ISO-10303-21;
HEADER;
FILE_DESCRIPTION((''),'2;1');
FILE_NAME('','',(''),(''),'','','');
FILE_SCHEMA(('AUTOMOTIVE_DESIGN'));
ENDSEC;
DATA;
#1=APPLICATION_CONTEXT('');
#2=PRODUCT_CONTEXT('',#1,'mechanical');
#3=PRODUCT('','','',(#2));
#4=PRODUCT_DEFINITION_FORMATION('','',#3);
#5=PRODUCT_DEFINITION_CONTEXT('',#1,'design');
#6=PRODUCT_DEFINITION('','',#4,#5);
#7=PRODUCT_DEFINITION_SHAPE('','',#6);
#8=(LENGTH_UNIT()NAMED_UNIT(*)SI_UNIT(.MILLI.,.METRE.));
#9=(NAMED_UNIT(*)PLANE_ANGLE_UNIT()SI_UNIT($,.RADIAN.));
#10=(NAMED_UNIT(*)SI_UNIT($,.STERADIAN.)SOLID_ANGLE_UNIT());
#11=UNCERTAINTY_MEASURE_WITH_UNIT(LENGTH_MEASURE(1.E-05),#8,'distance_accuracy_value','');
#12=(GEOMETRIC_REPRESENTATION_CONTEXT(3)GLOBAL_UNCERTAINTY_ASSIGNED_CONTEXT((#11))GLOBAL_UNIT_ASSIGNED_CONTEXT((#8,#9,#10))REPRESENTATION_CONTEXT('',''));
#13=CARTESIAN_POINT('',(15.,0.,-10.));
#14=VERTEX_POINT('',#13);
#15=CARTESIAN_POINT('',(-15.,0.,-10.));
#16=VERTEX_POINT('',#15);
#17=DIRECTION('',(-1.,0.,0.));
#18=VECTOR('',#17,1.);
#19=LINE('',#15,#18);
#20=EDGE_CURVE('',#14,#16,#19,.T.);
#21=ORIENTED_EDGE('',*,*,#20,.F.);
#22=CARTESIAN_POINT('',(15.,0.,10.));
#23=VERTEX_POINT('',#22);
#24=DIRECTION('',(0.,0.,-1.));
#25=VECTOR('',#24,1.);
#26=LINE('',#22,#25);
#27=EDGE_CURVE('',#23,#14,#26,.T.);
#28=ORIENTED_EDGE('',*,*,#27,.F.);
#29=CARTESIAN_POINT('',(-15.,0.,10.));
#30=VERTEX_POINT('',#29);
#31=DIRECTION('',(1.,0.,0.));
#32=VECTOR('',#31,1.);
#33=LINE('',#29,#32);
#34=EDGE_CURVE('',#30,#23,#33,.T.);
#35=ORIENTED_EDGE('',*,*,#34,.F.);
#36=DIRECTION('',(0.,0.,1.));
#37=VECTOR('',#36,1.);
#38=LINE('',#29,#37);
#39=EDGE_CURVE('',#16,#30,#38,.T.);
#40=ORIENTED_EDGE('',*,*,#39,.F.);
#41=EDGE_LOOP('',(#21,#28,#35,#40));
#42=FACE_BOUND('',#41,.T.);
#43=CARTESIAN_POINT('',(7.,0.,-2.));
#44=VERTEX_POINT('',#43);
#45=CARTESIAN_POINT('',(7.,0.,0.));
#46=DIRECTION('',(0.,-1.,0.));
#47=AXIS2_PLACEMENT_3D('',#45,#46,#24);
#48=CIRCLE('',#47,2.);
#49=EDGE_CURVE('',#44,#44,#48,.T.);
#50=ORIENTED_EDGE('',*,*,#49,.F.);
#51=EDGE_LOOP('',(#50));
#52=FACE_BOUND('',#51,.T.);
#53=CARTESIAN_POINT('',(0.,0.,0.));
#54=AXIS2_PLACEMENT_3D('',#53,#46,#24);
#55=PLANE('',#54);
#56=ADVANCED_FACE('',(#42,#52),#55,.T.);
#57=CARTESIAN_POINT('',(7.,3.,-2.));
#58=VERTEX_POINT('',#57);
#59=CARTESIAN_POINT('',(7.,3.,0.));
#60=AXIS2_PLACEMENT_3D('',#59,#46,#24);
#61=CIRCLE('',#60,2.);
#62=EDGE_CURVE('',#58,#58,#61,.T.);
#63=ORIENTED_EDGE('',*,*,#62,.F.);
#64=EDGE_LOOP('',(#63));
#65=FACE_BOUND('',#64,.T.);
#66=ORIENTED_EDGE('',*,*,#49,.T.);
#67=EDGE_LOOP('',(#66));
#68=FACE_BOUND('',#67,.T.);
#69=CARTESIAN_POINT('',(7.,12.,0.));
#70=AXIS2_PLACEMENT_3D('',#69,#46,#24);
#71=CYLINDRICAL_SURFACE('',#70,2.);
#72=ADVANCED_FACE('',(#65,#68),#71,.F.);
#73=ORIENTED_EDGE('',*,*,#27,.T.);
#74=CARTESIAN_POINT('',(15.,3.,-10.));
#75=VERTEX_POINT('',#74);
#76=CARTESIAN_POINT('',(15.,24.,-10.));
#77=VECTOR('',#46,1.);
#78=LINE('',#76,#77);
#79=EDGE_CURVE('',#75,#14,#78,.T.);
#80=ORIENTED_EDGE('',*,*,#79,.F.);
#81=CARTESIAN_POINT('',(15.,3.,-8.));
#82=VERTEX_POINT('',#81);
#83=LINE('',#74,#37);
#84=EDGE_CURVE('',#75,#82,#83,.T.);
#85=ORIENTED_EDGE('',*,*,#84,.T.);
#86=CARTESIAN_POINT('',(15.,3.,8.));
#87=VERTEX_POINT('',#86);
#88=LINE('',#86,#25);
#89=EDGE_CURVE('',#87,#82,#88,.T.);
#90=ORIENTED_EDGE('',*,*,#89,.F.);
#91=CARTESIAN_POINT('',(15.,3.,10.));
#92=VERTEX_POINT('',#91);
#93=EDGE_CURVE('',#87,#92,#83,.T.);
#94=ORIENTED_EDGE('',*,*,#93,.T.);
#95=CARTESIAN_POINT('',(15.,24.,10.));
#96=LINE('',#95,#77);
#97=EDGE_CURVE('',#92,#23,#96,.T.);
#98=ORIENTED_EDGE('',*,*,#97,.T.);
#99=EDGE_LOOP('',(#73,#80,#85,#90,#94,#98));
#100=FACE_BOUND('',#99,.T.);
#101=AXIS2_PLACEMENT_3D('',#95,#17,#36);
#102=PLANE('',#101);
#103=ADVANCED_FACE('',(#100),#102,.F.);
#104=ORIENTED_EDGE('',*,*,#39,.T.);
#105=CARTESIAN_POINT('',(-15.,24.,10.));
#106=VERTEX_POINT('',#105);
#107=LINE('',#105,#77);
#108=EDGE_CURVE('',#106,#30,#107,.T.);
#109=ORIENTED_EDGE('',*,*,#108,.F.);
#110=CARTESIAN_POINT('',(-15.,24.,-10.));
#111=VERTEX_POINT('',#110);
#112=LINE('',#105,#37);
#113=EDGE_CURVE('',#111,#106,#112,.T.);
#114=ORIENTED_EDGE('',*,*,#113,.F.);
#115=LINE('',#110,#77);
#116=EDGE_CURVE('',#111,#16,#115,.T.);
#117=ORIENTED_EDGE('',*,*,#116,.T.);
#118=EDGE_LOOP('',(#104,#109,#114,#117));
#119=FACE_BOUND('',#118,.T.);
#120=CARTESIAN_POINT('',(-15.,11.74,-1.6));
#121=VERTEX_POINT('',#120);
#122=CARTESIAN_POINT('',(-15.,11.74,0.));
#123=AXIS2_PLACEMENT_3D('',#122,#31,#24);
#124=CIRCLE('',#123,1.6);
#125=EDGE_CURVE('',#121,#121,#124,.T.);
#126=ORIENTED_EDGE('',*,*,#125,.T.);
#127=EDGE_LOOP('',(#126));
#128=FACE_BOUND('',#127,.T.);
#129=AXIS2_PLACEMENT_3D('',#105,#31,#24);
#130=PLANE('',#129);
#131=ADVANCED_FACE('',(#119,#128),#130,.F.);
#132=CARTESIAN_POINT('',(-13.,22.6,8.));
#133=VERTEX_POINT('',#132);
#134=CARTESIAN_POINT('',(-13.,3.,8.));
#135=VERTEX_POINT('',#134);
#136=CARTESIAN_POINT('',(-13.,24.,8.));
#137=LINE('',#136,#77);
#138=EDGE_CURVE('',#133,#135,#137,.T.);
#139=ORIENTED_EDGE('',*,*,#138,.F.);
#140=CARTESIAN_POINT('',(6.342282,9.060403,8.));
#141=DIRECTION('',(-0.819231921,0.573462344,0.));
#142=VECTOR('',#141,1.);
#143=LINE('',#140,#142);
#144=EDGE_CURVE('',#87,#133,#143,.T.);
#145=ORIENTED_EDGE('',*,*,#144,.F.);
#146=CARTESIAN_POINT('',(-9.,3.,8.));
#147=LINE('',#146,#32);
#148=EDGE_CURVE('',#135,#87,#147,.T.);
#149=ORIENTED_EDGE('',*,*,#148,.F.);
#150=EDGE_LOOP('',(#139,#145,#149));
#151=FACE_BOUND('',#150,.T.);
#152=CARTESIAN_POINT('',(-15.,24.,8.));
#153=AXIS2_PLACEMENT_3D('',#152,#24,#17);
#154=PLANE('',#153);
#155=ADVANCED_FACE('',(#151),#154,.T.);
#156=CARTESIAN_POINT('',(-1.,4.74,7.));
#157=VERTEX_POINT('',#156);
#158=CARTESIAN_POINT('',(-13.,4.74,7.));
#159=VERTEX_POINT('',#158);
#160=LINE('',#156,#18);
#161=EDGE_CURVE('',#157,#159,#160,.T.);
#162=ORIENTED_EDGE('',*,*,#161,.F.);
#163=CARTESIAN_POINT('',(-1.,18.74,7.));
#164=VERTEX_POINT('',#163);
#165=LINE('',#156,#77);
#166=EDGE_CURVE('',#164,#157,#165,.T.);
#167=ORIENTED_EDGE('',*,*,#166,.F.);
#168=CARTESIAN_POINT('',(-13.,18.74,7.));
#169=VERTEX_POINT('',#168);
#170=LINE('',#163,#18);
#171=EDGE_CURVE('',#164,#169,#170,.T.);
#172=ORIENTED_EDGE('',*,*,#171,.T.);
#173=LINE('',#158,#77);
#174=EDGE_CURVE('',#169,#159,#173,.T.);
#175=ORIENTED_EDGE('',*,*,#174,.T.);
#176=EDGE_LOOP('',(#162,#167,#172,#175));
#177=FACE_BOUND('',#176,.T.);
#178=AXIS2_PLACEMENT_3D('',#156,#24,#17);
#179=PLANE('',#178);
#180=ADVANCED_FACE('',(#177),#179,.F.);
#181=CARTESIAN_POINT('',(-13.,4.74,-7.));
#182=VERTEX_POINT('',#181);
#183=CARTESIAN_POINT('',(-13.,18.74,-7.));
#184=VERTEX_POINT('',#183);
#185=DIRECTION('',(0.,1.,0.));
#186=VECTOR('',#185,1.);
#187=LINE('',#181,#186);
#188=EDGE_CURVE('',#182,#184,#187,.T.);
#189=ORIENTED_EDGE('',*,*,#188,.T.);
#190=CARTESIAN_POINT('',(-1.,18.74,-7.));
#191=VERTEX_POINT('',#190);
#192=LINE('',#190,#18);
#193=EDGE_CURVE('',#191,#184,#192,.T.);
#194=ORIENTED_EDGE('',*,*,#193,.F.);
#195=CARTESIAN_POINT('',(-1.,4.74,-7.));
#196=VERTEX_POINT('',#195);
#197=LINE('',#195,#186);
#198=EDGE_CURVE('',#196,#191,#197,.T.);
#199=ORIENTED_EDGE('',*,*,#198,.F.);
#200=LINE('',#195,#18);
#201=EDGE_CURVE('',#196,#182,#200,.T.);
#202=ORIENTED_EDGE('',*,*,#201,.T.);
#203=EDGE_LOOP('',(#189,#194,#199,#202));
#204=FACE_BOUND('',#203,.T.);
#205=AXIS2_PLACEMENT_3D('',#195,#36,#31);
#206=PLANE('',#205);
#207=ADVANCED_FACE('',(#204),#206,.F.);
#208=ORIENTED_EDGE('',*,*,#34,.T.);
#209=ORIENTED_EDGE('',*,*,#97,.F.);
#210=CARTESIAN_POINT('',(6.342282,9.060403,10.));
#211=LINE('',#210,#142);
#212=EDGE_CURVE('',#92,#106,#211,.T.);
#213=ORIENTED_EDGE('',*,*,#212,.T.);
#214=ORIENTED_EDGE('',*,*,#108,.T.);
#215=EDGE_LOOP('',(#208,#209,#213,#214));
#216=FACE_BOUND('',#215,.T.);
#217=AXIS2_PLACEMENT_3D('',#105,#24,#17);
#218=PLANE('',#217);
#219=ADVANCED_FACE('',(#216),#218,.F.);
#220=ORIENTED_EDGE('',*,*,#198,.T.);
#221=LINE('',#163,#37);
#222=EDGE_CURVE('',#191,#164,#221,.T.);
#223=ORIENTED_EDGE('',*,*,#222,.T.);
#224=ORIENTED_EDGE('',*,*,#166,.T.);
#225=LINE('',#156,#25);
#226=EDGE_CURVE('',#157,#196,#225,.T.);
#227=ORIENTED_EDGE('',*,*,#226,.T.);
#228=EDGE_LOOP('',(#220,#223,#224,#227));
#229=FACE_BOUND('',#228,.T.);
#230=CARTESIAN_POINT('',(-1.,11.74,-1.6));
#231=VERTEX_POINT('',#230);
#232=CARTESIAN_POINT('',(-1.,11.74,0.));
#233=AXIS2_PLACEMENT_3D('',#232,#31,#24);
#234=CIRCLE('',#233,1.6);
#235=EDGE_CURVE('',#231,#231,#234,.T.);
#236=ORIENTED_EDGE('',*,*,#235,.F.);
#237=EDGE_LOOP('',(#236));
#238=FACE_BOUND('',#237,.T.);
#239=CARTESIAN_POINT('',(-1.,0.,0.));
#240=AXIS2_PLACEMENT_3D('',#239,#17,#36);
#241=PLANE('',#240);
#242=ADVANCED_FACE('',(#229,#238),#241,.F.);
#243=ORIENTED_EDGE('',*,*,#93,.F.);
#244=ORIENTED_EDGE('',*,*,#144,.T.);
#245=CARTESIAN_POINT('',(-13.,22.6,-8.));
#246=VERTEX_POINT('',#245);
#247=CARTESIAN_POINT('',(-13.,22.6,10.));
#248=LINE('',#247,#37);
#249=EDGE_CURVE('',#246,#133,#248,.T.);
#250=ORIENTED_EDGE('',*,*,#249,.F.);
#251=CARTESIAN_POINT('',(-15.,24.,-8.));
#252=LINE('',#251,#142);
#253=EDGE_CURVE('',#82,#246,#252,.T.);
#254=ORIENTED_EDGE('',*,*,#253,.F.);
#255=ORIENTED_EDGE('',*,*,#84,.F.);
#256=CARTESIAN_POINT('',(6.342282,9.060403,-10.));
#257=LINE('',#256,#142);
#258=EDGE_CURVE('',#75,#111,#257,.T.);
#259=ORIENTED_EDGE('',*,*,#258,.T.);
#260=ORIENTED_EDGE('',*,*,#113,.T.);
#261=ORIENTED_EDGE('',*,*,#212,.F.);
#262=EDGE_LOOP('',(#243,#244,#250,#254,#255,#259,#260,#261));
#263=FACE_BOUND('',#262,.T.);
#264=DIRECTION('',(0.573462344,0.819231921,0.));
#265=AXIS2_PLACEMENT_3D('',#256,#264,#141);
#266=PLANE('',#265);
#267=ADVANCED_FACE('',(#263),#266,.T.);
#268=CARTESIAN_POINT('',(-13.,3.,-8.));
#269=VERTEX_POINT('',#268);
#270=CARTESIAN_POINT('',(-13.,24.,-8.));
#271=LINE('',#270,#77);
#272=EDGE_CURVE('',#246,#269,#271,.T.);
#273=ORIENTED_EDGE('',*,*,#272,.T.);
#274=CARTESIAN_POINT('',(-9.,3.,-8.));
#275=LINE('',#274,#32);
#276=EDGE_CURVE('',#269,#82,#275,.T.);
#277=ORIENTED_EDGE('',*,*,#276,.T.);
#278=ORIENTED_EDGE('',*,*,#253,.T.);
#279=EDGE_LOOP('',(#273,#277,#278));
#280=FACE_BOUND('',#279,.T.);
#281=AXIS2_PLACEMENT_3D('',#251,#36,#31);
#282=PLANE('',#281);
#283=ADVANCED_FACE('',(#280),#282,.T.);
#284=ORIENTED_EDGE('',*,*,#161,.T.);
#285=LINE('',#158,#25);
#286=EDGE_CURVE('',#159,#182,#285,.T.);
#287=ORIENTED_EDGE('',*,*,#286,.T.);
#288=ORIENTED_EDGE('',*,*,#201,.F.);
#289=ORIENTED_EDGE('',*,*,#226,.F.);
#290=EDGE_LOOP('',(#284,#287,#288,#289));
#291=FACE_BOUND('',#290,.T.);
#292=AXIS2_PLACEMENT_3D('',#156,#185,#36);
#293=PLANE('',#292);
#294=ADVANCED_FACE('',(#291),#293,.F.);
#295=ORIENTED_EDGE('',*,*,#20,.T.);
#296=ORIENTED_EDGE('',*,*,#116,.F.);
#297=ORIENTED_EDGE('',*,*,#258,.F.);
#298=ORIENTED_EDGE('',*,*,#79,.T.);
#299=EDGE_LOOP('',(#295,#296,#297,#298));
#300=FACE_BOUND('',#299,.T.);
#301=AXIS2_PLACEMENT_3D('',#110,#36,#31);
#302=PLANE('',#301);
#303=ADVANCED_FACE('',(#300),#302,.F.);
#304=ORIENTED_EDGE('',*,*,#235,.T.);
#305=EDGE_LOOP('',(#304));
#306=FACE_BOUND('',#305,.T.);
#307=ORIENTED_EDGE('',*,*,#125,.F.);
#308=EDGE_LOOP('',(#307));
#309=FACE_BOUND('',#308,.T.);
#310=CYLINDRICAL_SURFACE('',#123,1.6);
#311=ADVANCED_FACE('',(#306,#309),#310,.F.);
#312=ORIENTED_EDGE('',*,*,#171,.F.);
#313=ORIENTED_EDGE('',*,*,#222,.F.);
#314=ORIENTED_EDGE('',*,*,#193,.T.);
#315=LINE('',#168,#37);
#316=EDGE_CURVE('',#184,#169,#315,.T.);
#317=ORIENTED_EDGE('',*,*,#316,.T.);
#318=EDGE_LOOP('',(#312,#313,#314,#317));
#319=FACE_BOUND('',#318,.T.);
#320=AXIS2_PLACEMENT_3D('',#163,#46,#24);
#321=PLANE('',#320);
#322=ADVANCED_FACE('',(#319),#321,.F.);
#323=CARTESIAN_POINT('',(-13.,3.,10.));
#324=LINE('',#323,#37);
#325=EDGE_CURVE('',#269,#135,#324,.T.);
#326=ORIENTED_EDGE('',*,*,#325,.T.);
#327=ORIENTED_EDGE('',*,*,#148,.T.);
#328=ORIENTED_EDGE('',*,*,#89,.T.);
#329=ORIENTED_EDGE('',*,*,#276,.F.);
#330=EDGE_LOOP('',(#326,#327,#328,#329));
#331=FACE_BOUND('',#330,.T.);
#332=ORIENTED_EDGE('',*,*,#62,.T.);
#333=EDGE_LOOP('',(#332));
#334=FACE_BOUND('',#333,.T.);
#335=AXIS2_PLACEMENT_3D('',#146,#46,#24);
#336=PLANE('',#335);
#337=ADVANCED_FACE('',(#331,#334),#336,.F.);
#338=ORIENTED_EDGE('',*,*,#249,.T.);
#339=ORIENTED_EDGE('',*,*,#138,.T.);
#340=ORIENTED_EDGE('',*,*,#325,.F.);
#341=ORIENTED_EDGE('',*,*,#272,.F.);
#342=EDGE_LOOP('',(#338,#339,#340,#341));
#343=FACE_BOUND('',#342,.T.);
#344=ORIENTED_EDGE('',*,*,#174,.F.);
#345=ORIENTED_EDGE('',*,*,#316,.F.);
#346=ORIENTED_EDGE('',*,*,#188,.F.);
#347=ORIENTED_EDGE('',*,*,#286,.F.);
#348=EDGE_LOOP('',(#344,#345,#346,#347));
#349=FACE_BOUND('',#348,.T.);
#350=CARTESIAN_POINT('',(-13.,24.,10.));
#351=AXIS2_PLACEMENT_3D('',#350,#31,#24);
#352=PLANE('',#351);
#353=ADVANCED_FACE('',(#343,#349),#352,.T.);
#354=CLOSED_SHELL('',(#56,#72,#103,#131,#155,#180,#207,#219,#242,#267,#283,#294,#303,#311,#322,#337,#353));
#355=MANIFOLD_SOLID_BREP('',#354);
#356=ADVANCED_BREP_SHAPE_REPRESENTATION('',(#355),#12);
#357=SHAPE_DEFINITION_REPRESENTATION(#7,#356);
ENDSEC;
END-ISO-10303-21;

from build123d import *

# Parameters (mm, degrees)
CROQUIS1_W              = 30
CROQUIS1_H              = 20
SALIENTE_EXTRUIR1_DEPTH = 24
CORTAR_EXTRUIR1_DEPTH   = 35.655446902
VACIADO1_T              = -2
CROQUIS5_W              = 16
CROQUIS5_H              = 7.775934249
CORTAR_EXTRUIR3_DEPTH   = 24
SALIENTE_EXTRUIR2_REACH = 41.699
CROQUIS6_W              = 16
CROQUIS6_H              = 3
CROQUIS7_W              = 14
CROQUIS7_H              = 14
SALIENTE_EXTRUIR3_DEPTH = 12
CROQUIS8_R              = 1.6
CORTAR_EXTRUIR5_DEPTH   = 31.528675045
CROQUIS9_R              = 2
CORTAR_EXTRUIR6_DEPTH   = 12


with BuildPart() as part:
    # Croquis1 → Saliente-Extruir1 (new body)
    with BuildSketch(Plane(origin=(0, 0, 0), x_dir=(1, 0, 0), z_dir=(0, 1, 0))):
        Rectangle(CROQUIS1_W, CROQUIS1_H)
    extrude(amount=SALIENTE_EXTRUIR1_DEPTH)

    # Croquis2 → Cortar-Extruir1 (cut, through all)
    with BuildSketch(Plane.XY.offset(10)):
        Polygon((-15, 24), (15, 3), (15, 24), align=None)
    extrude(amount=-CORTAR_EXTRUIR1_DEPTH, mode=Mode.SUBTRACT)

    # Vaciado1
    vaciado1_openings = [part.faces().sort_by_distance(p)[0] for p in [
        (0, 13.5, 0),
    ]]
    offset(amount=VACIADO1_T, openings=vaciado1_openings, kind=Kind.INTERSECTION)

    # Croquis5 → Cortar-Extruir3 (cut)
    with BuildSketch(Plane(origin=(15, 0, 0), x_dir=(0, 0, -1), z_dir=(1, 0, 0))):
        with Locations((0, 6.887967125)):
            Rectangle(CROQUIS5_W, CROQUIS5_H)
    extrude(amount=-CORTAR_EXTRUIR3_DEPTH, mode=Mode.SUBTRACT)

    # Croquis6 → Saliente-Extruir2 (add, up to next)
    with BuildSketch(Plane(origin=(15, 0, 0), x_dir=(0, 0, -1), z_dir=(1, 0, 0)), mode=Mode.PRIVATE) as saliente_extruir2_sk1:
        with Locations((0, 1.5)):
            Rectangle(CROQUIS6_W, CROQUIS6_H)
    saliente_extruir2_tool1 = extrude(saliente_extruir2_sk1.sketch, amount=-SALIENTE_EXTRUIR2_REACH, mode=Mode.PRIVATE) - part.part
    add(saliente_extruir2_tool1.solids().sort_by_distance((15, 1.5, 0))[0])

    # Croquis7 → Saliente-Extruir3 (add)
    with BuildSketch(Plane(origin=(-13, 0, 0), x_dir=(0, 0, -1), z_dir=(1, 0, 0))):
        with Locations((0, 11.74)):
            Rectangle(CROQUIS7_W, CROQUIS7_H)
    extrude(amount=SALIENTE_EXTRUIR3_DEPTH)

    # Croquis8 → Cortar-Extruir5 (cut, through all)
    with BuildSketch(Plane(origin=(-1, 0, 0), x_dir=(0, 0, -1), z_dir=(1, 0, 0))):
        with Locations((0, 11.74)):
            Circle(CROQUIS8_R)
    extrude(amount=-CORTAR_EXTRUIR5_DEPTH, mode=Mode.SUBTRACT)

    # Croquis9 → Cortar-Extruir6 (cut)
    with BuildSketch(Plane.XZ):
        with Locations(Location((7, 0, 0), (0, 0, 270))):
            Circle(CROQUIS9_R)
    extrude(amount=-CORTAR_EXTRUIR6_DEPTH, mode=Mode.SUBTRACT)


solid = part.part
